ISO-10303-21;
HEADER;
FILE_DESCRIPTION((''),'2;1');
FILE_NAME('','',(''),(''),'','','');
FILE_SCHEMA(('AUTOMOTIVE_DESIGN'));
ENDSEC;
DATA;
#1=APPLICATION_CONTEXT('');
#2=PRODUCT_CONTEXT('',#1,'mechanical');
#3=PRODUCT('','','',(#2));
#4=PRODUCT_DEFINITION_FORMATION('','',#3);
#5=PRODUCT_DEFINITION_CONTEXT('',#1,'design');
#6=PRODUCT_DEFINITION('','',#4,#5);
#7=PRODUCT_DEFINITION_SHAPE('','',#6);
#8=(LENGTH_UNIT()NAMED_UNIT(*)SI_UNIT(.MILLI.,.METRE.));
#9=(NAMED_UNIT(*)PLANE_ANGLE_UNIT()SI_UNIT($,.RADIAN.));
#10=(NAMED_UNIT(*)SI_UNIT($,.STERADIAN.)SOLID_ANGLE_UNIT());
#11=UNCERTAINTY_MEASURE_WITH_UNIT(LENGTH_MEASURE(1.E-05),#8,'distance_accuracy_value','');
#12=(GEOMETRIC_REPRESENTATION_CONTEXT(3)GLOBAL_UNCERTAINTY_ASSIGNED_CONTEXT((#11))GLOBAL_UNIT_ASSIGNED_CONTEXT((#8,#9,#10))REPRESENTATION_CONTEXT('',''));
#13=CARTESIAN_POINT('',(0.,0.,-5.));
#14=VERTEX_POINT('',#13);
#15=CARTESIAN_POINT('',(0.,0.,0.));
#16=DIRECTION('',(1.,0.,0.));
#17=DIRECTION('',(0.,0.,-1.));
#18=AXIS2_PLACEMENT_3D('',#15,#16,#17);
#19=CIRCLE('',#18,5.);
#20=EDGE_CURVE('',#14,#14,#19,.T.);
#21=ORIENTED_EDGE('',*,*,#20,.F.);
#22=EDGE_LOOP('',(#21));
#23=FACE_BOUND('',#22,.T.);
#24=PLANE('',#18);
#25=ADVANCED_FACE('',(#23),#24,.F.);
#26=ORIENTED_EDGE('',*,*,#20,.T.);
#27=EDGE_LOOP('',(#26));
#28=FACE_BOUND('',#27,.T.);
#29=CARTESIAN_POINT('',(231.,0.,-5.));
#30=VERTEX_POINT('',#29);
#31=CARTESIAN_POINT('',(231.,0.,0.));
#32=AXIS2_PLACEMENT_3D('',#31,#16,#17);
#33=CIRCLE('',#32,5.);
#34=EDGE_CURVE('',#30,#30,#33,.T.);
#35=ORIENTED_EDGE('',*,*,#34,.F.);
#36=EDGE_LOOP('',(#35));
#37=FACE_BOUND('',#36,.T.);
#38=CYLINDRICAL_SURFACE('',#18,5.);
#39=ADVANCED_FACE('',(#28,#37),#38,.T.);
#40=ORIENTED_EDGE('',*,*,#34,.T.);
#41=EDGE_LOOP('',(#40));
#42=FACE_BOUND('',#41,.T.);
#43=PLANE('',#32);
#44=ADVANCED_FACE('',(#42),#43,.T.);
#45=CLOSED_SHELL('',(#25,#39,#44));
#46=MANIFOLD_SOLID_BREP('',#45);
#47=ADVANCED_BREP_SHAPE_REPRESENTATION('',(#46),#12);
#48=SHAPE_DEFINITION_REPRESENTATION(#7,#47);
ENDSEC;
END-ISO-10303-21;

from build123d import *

# Parameters (mm, degrees)
BARRER1_PROFILE_R = 5


with BuildPart() as part:
    # Barrer1: sweep along a path in Croquis1
    with BuildLine(Plane.XY) as barrer1_path:
        Line((0, 0), (231, 0))
    # Barrer1 profile (on start of the path) → Barrer1 (sweep)
    with BuildSketch(Plane(origin=(0, 0, 0), x_dir=(0, 0, 1), z_dir=(1, 0, 0))):
        Circle(BARRER1_PROFILE_R)
    sweep(path=barrer1_path.line)


solid = part.part
